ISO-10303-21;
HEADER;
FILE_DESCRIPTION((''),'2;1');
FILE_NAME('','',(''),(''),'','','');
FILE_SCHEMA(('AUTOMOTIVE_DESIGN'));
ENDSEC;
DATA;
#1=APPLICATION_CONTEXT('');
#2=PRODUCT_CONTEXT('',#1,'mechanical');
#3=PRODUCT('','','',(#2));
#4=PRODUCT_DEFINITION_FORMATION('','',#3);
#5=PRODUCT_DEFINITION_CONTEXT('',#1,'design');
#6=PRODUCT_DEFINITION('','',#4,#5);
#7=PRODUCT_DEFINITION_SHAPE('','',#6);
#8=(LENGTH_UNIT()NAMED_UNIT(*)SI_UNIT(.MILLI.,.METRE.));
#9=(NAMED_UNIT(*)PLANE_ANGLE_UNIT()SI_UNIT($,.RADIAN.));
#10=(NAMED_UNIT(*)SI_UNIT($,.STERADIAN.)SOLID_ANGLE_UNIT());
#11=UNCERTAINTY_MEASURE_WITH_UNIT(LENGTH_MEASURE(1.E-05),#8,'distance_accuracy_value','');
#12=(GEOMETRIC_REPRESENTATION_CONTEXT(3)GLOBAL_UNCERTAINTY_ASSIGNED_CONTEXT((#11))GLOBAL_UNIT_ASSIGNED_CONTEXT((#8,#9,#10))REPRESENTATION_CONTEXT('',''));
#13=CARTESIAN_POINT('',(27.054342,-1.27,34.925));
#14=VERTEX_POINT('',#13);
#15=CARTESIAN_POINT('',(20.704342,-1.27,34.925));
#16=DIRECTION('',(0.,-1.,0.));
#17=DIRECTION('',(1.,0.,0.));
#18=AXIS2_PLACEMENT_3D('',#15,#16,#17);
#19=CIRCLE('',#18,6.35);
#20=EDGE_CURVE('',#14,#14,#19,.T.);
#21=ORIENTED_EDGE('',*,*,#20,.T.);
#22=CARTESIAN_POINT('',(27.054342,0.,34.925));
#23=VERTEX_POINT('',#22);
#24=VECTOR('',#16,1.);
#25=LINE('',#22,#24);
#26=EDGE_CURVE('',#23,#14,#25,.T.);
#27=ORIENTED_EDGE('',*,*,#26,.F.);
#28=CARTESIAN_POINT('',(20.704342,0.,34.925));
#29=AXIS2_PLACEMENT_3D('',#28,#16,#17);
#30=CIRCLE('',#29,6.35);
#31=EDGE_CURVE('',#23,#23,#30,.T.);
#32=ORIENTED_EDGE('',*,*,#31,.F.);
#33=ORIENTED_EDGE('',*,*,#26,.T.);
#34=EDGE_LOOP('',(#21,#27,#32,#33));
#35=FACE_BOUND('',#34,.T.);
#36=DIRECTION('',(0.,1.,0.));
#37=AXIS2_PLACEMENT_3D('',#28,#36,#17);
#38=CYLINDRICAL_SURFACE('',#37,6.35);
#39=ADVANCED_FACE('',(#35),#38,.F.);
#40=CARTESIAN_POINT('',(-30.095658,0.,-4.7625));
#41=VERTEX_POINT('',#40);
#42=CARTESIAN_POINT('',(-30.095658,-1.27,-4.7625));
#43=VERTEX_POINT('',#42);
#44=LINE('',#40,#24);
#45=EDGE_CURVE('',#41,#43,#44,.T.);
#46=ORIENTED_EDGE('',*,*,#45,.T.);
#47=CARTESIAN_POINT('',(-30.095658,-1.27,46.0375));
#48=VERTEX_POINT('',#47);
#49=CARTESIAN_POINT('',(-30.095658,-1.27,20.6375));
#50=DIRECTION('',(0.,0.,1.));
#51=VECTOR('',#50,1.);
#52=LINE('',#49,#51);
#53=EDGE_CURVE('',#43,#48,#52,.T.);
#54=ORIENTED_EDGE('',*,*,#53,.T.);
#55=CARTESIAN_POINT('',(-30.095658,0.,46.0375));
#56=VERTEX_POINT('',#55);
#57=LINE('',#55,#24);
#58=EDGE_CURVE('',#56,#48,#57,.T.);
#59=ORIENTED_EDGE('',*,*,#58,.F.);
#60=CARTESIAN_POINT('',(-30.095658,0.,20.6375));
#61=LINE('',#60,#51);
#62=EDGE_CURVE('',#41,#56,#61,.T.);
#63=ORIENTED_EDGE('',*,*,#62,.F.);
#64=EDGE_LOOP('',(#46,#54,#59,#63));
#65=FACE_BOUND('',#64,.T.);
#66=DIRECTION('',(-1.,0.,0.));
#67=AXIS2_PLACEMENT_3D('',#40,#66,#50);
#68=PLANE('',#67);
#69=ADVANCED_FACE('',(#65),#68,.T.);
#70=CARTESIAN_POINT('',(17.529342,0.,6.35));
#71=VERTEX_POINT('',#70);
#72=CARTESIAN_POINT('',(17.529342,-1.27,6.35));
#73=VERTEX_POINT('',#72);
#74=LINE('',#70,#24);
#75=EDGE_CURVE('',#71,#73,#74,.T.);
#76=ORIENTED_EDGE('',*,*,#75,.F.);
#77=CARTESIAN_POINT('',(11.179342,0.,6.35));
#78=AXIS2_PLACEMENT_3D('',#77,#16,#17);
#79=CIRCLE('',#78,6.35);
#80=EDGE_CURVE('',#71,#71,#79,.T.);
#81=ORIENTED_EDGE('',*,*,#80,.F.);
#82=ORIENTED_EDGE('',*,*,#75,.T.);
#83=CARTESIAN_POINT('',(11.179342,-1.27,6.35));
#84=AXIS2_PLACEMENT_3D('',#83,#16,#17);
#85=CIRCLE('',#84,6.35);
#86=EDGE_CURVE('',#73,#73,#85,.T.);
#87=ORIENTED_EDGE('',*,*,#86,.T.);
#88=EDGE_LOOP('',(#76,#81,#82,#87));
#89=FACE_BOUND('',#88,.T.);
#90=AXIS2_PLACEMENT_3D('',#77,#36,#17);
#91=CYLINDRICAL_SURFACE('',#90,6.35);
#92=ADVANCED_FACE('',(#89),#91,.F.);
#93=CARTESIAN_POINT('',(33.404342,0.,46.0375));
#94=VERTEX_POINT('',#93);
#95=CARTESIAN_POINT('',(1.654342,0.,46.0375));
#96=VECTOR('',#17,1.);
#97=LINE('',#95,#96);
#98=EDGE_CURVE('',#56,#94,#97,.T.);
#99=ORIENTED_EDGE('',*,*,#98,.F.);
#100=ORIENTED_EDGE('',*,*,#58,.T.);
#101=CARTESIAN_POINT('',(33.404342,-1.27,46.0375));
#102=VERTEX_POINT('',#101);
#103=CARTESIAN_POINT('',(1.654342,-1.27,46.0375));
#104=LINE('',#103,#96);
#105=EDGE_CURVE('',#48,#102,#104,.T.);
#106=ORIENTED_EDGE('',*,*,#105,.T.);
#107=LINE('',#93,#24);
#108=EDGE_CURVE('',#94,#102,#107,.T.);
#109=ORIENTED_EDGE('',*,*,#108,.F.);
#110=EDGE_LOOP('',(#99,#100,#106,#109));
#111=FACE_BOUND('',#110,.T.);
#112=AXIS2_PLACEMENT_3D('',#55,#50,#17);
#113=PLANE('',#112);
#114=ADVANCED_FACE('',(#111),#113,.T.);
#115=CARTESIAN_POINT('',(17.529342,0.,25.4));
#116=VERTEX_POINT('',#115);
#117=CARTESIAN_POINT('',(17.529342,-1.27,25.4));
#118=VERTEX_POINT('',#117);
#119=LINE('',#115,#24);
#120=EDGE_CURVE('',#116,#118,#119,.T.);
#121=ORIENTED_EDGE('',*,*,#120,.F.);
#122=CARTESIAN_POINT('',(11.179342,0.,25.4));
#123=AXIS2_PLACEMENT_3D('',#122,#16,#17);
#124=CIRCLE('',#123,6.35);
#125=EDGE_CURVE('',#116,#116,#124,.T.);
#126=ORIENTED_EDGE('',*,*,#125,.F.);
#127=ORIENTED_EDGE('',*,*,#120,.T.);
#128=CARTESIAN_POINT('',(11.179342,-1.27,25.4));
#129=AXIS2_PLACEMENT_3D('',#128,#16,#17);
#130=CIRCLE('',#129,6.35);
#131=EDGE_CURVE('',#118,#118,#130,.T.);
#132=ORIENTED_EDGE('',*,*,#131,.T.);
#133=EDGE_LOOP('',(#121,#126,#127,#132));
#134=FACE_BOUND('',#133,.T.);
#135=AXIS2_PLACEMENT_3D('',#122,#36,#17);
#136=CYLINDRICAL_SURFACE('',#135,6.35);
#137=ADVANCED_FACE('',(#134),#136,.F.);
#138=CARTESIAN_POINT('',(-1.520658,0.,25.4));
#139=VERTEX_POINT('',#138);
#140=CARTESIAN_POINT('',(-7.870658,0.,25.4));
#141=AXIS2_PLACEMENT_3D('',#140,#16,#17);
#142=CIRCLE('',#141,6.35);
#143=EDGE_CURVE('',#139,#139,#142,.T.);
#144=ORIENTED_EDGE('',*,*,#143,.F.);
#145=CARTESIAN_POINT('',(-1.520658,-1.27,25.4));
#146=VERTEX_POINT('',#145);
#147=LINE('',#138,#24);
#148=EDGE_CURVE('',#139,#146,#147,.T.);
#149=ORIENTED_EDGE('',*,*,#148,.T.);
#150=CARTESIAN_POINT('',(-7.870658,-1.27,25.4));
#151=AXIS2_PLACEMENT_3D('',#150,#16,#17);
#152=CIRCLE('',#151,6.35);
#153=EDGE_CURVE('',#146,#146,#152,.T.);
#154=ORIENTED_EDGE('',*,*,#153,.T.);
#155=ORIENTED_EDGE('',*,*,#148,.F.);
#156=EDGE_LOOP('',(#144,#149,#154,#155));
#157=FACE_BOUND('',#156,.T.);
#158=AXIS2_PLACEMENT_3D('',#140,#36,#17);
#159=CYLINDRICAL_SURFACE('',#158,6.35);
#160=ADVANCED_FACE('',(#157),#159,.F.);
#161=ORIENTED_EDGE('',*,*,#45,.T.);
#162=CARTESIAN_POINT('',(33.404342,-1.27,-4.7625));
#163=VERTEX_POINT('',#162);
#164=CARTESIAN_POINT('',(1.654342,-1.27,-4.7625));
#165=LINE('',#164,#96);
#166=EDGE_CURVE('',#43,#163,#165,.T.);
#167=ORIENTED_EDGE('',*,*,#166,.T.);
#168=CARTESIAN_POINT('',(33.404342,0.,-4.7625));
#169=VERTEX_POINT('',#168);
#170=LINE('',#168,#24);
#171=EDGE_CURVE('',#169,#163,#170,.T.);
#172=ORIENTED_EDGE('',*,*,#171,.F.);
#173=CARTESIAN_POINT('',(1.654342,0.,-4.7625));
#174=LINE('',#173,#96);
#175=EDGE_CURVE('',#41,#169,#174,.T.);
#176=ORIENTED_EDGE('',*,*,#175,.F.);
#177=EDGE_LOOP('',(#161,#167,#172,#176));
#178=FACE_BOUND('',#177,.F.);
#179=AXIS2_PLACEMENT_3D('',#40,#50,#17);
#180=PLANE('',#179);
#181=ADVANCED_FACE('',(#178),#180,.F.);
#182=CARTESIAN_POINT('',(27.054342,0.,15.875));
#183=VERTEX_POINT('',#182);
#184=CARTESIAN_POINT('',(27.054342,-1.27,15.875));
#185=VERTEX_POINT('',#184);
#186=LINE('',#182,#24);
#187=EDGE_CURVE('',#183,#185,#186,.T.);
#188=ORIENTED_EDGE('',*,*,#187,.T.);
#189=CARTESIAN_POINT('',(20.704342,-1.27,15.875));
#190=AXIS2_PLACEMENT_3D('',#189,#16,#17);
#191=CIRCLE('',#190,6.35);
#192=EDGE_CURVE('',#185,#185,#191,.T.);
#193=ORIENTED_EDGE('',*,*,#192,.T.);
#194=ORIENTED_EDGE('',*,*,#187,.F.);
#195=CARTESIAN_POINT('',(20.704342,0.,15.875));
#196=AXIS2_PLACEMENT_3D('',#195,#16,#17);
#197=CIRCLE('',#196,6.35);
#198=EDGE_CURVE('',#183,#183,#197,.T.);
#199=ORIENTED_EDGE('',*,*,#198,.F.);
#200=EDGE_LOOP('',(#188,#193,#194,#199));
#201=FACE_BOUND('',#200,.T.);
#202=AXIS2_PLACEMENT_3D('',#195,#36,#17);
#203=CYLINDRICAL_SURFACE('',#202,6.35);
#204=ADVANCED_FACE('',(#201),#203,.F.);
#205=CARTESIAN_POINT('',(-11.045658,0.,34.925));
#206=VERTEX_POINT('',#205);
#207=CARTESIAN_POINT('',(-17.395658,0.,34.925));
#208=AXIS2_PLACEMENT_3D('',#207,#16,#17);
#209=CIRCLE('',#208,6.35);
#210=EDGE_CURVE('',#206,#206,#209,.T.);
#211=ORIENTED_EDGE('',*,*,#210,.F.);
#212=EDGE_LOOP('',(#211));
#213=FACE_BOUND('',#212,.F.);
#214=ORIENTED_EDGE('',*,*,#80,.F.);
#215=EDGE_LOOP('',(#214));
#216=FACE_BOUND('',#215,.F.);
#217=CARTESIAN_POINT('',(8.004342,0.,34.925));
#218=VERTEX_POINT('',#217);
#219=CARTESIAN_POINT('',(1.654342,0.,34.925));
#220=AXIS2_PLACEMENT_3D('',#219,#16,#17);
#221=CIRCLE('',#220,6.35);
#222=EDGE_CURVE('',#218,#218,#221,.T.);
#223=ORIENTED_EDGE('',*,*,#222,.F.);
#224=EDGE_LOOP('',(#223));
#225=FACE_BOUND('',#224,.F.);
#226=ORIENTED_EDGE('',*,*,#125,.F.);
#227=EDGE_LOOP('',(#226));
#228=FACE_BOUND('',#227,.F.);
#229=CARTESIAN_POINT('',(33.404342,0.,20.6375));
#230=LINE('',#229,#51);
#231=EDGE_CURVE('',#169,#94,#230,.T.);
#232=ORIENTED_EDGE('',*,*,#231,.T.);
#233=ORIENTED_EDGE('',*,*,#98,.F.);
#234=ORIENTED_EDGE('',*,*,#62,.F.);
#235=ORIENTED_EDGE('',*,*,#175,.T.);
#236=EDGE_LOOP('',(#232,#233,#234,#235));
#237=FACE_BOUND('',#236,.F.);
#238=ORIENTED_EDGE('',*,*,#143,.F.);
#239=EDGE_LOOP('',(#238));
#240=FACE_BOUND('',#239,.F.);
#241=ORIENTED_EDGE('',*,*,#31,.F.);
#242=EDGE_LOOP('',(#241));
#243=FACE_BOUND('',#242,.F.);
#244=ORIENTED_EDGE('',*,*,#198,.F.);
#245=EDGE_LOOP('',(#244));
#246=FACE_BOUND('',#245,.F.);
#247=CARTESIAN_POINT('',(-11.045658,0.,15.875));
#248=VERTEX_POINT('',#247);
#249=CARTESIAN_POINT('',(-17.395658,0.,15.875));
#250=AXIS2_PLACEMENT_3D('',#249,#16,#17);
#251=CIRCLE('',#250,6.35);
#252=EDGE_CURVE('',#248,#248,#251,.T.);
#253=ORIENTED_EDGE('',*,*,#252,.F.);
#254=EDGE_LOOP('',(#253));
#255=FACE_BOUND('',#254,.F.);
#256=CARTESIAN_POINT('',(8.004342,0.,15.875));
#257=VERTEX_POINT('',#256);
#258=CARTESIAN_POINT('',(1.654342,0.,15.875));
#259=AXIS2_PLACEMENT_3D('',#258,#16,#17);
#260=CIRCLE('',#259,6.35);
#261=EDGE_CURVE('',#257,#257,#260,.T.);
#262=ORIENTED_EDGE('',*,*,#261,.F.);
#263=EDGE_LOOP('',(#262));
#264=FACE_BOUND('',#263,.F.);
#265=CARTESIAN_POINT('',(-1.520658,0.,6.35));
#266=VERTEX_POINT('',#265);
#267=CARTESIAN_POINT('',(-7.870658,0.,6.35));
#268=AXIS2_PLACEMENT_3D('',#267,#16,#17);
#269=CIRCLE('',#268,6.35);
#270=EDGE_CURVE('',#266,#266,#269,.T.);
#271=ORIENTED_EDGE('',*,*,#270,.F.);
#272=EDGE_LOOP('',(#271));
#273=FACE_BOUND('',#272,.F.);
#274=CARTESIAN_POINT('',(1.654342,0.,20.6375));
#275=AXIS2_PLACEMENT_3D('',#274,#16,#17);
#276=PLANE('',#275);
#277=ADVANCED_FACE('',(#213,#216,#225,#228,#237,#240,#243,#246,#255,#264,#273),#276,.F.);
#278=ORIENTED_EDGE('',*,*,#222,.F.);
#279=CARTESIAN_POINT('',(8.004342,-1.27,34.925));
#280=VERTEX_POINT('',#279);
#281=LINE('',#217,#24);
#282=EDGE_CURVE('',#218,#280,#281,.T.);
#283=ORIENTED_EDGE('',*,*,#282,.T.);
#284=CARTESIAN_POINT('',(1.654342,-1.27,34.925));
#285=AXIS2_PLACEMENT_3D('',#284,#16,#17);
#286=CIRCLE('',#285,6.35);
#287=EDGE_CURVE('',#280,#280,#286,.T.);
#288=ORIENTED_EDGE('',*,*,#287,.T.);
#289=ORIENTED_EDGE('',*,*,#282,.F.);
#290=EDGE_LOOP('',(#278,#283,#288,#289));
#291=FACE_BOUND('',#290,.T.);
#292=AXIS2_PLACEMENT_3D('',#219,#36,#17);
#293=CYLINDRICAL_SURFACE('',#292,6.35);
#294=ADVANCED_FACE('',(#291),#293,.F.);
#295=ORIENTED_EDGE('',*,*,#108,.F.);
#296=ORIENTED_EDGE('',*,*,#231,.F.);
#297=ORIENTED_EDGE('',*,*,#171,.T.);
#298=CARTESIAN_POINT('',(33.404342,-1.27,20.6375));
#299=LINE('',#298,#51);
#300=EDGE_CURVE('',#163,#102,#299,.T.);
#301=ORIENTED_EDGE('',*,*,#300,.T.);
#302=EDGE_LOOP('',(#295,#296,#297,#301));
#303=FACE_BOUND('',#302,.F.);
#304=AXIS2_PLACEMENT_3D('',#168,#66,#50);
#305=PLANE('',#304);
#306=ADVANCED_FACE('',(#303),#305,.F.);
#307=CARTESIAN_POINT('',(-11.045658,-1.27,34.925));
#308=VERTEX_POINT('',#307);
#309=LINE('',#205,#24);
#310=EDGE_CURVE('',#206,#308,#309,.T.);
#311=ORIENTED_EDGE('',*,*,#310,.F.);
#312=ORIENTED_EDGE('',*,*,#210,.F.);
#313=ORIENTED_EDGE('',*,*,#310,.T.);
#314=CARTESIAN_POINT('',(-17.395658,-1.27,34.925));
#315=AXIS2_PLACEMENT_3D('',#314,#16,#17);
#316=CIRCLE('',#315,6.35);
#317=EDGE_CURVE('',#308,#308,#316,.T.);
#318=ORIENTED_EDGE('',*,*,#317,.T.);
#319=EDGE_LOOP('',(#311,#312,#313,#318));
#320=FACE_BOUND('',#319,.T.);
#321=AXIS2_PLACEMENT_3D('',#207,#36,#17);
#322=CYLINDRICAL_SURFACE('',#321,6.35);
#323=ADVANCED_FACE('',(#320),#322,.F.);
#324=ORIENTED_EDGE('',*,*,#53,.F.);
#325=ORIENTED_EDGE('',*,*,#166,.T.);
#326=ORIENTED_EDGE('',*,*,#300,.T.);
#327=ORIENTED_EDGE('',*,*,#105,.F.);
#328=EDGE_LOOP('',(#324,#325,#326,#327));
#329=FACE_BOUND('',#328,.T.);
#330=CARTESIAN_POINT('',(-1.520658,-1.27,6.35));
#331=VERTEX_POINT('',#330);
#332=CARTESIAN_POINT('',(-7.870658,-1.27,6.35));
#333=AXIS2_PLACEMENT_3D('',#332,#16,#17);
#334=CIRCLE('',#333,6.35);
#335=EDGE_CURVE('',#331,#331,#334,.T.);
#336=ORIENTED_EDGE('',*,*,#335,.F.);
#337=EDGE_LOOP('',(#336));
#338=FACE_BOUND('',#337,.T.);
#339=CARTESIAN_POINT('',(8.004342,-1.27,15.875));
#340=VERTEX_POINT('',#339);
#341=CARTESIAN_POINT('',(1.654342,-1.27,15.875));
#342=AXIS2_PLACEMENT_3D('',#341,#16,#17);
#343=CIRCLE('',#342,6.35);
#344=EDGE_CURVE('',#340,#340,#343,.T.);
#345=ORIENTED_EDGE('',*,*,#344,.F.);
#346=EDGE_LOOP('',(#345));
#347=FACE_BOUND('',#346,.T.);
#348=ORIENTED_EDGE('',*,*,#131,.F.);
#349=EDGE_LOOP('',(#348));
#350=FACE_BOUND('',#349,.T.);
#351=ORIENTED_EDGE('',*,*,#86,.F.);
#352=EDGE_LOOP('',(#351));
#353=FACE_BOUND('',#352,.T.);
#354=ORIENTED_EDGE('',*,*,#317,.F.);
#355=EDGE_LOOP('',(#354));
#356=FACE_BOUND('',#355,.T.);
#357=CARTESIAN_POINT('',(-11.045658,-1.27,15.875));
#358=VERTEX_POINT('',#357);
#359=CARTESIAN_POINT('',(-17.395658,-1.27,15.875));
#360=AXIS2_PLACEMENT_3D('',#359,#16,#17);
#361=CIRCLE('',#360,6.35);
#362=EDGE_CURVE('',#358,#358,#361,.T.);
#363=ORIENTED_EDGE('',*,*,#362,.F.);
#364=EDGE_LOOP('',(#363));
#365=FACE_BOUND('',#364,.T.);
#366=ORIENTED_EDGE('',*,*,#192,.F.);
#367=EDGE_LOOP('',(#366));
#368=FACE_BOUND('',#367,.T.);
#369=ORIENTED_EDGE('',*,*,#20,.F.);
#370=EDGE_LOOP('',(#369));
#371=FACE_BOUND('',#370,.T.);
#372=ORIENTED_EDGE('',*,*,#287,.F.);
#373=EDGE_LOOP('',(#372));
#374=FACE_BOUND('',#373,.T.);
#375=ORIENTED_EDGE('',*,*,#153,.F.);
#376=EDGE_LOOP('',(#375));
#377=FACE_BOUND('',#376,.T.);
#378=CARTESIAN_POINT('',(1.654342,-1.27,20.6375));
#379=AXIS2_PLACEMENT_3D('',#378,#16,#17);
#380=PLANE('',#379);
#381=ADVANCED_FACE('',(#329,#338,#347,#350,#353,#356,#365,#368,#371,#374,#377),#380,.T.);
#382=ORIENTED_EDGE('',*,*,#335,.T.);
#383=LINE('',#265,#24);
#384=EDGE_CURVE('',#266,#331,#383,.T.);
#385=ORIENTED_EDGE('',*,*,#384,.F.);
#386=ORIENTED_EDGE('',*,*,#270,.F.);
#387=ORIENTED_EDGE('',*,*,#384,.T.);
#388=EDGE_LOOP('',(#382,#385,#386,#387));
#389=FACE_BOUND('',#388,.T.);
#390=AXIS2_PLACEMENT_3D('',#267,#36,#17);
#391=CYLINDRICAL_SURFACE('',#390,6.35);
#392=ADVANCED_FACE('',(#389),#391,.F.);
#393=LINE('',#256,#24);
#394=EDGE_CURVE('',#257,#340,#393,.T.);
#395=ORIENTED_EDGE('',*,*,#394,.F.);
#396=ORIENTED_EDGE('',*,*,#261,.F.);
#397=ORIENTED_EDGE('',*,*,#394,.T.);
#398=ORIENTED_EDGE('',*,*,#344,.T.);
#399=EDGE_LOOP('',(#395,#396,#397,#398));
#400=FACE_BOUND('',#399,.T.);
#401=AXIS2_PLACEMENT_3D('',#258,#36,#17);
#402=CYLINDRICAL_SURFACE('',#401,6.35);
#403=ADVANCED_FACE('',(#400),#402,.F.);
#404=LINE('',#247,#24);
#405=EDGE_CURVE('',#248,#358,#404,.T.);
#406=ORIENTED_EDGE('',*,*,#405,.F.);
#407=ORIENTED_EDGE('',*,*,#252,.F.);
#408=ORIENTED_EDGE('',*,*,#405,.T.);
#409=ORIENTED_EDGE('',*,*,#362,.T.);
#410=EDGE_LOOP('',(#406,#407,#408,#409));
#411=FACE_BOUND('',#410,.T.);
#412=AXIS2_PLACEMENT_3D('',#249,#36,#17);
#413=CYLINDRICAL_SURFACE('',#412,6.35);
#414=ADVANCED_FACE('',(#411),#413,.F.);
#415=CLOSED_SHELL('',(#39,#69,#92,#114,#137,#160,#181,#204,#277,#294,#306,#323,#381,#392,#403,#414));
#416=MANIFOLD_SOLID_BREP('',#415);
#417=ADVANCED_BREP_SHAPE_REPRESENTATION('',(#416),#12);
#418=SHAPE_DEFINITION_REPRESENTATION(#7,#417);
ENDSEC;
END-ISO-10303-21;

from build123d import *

# Parameters (mm, degrees)
F0_W     = 63.5
F0_H     = 50.8
F0_R     = 6.35
F1_DEPTH = 1.27


with BuildPart() as f1:
    # F0 (on Front) → F1 (new body)
    with BuildSketch(Plane.XZ):
        with Locations((1.654342, 20.6375)):
            Rectangle(F0_W, F0_H)
        with Locations((-7.870658, 6.35)):
            Circle(F0_R, mode=Mode.SUBTRACT)
        with Locations((-17.395658, 15.875)):
            Circle(F0_R, mode=Mode.SUBTRACT)
        with Locations((11.179342, 6.35)):
            Circle(F0_R, mode=Mode.SUBTRACT)
        with Locations((1.654342, 15.875)):
            Circle(F0_R, mode=Mode.SUBTRACT)
        with Locations((20.704342, 15.875)):
            Circle(F0_R, mode=Mode.SUBTRACT)
        with Locations((-7.870658, 25.4)):
            Circle(F0_R, mode=Mode.SUBTRACT)
        with Locations((-17.395658, 34.925)):
            Circle(F0_R, mode=Mode.SUBTRACT)
        with Locations((1.654342, 34.925)):
            Circle(F0_R, mode=Mode.SUBTRACT)
        with Locations((11.179342, 25.4)):
            Circle(F0_R, mode=Mode.SUBTRACT)
        with Locations((20.704342, 34.925)):
            Circle(F0_R, mode=Mode.SUBTRACT)
    extrude(amount=F1_DEPTH)


solid = f1.part
